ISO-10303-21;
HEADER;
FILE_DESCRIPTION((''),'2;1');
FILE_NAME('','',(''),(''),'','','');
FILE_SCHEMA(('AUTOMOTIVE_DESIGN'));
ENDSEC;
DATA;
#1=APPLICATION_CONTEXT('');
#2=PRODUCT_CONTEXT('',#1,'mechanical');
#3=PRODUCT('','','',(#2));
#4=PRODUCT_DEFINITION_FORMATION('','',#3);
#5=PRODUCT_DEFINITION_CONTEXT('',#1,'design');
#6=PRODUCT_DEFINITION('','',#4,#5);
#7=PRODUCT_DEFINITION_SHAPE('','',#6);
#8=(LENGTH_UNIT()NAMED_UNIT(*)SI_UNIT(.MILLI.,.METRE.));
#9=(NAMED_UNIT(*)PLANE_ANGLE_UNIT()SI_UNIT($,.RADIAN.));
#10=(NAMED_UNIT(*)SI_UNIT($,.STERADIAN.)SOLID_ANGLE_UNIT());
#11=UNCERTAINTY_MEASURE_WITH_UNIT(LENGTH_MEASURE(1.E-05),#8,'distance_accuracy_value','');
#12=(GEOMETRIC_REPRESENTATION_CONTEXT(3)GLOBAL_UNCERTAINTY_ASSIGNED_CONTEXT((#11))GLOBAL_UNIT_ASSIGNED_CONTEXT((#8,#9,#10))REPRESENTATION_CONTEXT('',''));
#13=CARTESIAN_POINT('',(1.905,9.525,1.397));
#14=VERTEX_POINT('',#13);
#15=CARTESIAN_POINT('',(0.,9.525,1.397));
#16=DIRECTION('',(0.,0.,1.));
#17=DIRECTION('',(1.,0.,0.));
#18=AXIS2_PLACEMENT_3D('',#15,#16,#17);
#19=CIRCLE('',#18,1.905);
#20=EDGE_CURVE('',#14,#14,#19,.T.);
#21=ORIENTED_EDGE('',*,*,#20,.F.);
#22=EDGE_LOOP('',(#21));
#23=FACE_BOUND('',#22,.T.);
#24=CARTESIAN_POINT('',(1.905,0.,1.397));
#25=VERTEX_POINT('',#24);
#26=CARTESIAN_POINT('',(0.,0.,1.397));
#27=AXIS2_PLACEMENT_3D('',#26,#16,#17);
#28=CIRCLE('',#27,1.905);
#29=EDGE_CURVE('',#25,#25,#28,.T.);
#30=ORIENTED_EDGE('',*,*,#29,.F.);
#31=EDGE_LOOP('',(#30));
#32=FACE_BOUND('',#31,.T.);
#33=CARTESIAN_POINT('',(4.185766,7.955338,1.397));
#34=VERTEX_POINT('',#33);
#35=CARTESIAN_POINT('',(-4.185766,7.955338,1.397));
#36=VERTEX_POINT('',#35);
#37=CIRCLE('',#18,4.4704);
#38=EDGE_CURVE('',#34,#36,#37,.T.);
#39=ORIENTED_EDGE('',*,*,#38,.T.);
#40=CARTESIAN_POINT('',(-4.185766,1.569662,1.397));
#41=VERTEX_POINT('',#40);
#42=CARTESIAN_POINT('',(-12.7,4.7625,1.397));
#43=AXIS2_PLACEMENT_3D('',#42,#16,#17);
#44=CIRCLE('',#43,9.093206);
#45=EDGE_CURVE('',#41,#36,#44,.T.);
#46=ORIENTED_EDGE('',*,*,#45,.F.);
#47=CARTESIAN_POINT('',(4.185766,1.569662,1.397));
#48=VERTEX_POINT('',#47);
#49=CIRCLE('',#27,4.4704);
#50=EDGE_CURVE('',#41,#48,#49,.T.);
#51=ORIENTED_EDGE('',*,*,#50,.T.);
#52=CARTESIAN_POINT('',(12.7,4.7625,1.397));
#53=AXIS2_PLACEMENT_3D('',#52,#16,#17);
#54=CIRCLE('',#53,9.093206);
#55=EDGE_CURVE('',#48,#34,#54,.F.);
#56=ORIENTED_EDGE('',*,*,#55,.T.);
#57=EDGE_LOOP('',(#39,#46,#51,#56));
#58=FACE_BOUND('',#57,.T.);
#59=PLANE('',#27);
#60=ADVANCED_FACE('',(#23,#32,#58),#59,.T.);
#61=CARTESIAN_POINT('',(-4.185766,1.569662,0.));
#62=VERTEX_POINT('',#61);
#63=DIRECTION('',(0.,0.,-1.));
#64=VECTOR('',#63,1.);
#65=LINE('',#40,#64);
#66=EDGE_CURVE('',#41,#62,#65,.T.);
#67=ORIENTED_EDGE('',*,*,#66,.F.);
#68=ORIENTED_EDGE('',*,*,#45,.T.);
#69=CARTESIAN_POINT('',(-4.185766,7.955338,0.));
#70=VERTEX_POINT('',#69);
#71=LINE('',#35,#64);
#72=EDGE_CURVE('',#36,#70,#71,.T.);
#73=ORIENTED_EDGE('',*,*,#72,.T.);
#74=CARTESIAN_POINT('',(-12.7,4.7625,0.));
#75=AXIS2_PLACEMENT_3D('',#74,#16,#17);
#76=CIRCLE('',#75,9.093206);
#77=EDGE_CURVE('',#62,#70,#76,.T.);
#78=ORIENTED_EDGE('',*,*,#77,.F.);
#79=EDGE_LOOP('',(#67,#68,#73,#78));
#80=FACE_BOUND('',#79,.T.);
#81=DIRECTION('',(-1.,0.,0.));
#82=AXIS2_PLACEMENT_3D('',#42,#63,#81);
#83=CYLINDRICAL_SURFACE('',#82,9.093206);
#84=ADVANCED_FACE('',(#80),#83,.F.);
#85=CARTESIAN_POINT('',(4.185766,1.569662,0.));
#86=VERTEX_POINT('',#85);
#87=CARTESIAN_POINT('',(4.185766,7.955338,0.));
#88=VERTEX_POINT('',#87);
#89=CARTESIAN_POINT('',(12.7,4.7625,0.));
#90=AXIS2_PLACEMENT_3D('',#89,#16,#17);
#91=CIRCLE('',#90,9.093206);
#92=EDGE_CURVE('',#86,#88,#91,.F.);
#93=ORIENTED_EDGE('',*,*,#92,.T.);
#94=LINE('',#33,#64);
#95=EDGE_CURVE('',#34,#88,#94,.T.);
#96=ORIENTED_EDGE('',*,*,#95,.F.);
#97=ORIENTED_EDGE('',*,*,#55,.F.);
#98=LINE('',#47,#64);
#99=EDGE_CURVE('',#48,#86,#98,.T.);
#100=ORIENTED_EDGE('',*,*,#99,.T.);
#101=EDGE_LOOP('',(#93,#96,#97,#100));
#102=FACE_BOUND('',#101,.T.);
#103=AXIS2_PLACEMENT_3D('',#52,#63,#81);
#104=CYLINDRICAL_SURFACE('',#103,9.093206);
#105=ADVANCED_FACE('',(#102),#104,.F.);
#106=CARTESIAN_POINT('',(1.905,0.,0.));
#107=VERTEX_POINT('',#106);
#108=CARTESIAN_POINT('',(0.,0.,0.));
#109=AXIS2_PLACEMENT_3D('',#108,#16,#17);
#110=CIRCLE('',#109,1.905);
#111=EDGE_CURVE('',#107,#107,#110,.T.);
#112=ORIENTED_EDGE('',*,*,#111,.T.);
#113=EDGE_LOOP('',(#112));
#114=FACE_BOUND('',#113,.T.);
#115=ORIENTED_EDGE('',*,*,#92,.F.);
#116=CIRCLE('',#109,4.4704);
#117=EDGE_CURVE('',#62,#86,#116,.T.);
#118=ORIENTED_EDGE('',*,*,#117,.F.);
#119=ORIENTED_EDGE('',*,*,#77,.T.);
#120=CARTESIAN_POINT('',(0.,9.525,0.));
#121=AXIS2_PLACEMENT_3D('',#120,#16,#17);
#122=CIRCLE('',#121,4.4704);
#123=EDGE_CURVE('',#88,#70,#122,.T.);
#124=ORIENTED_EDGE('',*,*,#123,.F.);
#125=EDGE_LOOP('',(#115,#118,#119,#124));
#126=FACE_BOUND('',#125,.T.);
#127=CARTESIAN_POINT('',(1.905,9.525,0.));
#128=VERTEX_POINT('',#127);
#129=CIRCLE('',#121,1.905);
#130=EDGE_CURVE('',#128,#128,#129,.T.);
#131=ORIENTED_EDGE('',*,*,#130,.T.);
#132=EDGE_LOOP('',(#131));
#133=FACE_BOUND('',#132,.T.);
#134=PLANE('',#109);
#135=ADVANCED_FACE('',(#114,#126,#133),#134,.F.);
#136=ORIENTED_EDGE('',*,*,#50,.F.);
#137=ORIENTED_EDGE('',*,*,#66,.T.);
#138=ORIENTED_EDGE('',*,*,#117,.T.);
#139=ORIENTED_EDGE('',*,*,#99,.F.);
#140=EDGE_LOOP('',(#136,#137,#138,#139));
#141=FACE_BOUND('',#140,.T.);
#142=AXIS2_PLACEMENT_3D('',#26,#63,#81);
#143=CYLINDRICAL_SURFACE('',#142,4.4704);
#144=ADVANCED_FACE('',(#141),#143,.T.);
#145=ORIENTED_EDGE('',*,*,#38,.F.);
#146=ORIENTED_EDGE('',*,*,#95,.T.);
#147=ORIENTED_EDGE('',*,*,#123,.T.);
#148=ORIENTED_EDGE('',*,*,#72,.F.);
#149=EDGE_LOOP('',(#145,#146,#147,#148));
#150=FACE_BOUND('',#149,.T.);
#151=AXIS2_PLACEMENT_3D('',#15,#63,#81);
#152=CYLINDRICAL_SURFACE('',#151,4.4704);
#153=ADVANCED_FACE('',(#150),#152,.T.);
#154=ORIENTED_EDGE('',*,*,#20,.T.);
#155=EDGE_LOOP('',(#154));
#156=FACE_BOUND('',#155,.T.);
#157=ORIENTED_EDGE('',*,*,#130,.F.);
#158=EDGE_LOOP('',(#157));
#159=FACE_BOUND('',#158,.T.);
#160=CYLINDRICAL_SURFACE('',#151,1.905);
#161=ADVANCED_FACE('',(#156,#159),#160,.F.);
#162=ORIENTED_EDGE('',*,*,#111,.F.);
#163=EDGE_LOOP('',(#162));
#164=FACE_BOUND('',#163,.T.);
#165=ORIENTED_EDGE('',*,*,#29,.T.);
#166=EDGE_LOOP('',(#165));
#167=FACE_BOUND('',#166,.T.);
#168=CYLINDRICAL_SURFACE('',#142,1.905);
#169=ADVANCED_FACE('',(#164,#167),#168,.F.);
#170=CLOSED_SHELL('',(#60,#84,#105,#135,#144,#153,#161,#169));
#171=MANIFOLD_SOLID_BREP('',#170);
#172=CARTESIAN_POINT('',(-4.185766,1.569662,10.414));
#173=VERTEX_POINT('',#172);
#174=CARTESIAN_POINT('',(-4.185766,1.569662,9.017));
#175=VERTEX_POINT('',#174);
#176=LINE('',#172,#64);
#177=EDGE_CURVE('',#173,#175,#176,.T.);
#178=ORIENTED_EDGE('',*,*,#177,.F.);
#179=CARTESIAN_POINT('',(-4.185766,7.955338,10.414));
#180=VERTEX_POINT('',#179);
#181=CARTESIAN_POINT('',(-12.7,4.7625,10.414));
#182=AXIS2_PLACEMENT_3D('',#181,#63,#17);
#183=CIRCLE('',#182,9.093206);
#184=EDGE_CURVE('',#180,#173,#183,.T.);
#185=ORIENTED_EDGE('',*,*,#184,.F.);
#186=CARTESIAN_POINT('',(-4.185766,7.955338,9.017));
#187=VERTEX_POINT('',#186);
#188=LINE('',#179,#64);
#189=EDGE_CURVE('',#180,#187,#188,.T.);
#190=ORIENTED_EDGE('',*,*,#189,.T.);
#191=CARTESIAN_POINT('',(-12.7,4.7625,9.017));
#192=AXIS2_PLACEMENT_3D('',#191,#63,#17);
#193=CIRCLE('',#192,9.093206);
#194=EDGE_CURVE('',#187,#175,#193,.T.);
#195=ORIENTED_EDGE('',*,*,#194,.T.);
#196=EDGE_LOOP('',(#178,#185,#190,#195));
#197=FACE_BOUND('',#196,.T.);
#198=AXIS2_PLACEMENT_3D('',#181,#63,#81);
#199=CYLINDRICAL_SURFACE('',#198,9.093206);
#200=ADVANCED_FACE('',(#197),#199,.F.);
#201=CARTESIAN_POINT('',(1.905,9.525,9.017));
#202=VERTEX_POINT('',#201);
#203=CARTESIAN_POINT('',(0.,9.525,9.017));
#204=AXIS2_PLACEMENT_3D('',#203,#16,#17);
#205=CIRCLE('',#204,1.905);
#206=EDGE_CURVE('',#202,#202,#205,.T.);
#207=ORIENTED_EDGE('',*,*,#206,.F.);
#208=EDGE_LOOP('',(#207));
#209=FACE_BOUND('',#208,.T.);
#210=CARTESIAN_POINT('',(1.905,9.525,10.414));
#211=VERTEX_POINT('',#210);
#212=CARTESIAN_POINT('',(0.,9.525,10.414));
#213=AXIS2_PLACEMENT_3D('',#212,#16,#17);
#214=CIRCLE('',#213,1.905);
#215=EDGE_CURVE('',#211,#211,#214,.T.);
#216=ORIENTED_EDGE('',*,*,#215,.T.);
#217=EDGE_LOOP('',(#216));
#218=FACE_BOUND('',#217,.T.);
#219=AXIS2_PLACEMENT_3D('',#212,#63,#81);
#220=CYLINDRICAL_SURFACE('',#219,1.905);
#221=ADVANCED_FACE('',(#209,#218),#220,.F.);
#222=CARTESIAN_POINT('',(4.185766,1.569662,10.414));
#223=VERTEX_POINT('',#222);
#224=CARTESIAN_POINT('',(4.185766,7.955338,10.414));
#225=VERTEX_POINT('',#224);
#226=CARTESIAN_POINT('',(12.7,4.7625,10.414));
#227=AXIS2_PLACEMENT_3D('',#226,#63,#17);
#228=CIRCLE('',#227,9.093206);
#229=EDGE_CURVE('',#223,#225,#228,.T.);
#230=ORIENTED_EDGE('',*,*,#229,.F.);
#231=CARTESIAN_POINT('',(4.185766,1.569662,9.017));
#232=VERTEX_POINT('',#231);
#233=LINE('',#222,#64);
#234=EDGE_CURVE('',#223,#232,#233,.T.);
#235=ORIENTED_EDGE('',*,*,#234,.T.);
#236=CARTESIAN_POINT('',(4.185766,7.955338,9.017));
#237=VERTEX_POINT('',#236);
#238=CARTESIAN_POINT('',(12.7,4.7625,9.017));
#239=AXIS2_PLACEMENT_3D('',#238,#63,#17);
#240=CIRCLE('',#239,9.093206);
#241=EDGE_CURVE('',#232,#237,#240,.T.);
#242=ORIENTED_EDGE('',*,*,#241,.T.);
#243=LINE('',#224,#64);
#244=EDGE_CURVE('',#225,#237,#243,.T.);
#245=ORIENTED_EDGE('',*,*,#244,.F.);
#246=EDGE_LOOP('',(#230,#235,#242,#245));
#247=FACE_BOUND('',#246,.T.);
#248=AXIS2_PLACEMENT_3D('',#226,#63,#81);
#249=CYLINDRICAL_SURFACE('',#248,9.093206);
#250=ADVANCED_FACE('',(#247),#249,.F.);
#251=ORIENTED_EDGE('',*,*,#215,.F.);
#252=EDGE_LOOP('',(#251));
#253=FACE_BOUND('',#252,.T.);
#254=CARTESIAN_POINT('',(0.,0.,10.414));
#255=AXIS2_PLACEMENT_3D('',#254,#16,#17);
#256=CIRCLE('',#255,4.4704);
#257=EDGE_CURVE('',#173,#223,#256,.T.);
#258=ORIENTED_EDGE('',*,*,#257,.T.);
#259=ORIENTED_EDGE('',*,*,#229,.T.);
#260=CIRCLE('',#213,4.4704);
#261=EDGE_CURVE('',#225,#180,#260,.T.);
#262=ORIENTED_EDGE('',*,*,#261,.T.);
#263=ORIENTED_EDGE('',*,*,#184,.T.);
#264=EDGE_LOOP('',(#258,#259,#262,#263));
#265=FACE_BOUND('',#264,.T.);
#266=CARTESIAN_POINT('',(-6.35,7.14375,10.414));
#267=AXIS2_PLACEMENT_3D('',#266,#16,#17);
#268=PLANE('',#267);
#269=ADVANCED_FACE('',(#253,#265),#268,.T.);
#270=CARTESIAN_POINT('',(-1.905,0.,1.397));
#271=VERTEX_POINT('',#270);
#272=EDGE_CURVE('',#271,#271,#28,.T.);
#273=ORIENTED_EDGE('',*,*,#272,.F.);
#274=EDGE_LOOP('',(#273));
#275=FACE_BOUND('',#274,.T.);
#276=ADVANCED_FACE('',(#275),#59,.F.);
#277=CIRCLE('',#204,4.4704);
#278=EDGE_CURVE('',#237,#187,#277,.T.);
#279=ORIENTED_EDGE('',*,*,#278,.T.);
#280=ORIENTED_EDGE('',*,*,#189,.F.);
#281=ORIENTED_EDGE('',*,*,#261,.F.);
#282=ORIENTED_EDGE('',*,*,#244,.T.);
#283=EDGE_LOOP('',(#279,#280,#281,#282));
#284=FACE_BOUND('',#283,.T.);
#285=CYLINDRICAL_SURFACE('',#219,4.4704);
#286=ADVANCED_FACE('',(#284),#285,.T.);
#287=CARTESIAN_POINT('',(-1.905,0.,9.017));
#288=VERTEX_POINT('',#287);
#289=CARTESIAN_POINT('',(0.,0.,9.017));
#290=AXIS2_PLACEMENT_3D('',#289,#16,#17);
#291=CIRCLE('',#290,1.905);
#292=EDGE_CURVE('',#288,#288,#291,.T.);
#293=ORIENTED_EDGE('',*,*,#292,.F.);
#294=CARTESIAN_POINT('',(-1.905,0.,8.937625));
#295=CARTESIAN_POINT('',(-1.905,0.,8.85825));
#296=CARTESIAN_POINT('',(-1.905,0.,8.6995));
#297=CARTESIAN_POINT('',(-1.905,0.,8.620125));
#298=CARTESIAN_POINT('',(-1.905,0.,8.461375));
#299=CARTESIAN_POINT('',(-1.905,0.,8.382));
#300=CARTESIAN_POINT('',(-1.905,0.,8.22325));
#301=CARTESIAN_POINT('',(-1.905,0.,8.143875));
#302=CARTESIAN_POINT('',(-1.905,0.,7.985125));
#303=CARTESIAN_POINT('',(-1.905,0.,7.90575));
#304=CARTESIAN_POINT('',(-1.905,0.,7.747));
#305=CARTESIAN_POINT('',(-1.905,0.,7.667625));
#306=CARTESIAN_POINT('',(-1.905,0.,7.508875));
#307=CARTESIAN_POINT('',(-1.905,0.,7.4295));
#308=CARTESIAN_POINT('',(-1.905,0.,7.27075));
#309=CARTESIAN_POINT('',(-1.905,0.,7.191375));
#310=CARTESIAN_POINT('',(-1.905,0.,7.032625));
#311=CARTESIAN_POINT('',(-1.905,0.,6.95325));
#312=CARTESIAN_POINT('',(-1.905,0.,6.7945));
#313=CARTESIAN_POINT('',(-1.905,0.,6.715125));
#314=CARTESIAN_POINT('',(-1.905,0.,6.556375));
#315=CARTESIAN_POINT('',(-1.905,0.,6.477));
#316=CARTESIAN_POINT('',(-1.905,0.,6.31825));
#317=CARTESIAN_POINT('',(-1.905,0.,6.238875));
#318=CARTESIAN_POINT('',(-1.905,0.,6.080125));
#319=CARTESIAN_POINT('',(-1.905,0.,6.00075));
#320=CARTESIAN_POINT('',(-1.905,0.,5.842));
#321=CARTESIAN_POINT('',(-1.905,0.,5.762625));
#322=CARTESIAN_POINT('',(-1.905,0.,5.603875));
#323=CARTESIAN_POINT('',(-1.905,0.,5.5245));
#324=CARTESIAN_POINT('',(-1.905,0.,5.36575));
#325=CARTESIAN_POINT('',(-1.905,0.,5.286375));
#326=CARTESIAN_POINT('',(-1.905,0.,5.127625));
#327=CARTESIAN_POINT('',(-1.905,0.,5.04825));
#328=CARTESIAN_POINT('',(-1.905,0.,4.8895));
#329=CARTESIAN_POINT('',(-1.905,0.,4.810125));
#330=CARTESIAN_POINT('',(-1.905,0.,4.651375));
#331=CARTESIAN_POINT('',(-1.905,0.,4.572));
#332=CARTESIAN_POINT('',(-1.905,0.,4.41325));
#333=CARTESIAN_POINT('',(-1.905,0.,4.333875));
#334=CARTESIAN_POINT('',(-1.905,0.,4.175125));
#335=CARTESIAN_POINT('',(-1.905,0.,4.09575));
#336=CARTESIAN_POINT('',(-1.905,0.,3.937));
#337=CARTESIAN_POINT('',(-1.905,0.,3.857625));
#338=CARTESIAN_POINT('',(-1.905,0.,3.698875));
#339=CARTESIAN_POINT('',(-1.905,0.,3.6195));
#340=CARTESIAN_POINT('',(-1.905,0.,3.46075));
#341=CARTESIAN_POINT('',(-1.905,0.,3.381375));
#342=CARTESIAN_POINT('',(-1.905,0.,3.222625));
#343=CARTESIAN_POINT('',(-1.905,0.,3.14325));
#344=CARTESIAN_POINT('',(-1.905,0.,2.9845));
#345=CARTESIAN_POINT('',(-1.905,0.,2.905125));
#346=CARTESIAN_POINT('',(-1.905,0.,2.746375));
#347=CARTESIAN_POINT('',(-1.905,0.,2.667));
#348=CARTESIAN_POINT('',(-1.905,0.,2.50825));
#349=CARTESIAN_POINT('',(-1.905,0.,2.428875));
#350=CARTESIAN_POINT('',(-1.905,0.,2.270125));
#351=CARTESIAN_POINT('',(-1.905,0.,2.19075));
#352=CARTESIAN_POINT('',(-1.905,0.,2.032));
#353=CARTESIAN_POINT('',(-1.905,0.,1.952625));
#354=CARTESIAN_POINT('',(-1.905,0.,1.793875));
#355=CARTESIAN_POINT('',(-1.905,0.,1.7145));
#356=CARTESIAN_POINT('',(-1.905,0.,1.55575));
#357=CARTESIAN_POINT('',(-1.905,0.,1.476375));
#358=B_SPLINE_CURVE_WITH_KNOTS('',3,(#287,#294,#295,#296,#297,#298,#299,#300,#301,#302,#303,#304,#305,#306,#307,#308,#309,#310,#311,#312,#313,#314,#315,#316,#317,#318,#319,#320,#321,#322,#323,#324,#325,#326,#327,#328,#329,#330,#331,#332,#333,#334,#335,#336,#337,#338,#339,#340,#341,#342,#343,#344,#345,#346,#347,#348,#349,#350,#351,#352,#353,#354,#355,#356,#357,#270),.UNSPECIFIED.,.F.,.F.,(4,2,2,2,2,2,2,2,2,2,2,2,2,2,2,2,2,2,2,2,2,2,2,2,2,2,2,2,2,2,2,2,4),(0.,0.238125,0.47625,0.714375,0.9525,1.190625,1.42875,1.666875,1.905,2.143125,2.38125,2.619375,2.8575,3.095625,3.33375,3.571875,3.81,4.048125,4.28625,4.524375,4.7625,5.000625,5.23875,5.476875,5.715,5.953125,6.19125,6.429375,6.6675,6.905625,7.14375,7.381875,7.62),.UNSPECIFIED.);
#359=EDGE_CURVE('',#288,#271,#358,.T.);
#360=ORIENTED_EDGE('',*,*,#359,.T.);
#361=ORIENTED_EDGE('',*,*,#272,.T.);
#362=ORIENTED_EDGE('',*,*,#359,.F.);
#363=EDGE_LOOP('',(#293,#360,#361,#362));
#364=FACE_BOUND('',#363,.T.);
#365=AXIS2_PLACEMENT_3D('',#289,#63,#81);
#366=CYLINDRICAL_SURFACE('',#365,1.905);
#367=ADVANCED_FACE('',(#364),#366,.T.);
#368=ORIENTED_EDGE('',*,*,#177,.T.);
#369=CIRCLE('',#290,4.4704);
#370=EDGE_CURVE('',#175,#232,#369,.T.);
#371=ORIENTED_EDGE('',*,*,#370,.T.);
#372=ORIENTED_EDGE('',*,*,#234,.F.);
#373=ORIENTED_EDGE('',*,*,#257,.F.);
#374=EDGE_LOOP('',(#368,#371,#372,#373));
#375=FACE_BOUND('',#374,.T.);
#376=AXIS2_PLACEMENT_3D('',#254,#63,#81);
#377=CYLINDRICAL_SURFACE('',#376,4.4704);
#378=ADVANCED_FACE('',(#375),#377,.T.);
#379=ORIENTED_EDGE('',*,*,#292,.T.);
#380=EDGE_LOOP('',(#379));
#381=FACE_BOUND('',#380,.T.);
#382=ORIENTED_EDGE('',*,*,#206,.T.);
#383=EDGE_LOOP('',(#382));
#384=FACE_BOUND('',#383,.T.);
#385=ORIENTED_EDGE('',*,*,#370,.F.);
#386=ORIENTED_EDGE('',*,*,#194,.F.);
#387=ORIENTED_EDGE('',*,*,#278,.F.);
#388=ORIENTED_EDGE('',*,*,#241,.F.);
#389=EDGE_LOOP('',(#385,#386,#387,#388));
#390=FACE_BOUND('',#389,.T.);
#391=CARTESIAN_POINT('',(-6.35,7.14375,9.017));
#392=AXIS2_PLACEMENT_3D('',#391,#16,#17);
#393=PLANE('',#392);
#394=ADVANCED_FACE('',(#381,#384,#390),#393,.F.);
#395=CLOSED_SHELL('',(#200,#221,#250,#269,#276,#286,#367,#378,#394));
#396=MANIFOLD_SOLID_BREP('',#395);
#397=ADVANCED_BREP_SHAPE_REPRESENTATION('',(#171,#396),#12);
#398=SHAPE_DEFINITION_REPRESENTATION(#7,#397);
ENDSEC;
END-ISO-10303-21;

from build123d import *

# Parameters (mm, degrees)
SKETCH2_R           = 4.4704
SKETCH2_R_2         = 1.905
BOSS_EXTRUDE1_DEPTH = 1.397
SKETCH3_R           = 1.905
BOSS_EXTRUDE2_DEPTH = 7.62
SKETCH5_R           = 1.905
BOSS_EXTRUDE4_DEPTH = 1.397


with BuildPart() as part:
    # Sketch2 → Boss-Extrude1 (new body)
    # profile 1 of 3: a face of its own
    with BuildSketch(Plane.XY):
        Circle(SKETCH2_R)
        Circle(SKETCH2_R_2, mode=Mode.SUBTRACT)
    # profile 2 of 3: a face of its own
    with BuildSketch(Plane.XY):
        with BuildLine():
            ThreePointArc((-4.185765955, 1.569662233), (0, 4.4704), (4.185765955, 1.569662233))
            ThreePointArc((4.185765955, 1.569662233), (3.606794054, 4.7625), (4.185765955, 7.955337767))
            ThreePointArc((4.185765955, 7.955337767), (0, 5.0546), (-4.185765955, 7.955337767))
            ThreePointArc((-4.185765955, 7.955337767), (-3.606794054, 4.7625), (-4.185765955, 1.569662233))
        make_face()
    # profile 3 of 3: a face of its own
    with BuildSketch(Plane.XY):
        with Locations((0, 9.525)):
            Circle(SKETCH2_R)
        with Locations((0, 9.525)):
            Circle(SKETCH2_R_2, mode=Mode.SUBTRACT)
    extrude(amount=BOSS_EXTRUDE1_DEPTH)


with BuildPart() as body_2:
    # Sketch3 → Boss-Extrude2 (new body)
    with BuildSketch(Plane.XY.offset(1.397)):
        with Locations(Location((0, 0, 0), (0, 0, 180))):
            Circle(SKETCH3_R)
    extrude(amount=BOSS_EXTRUDE2_DEPTH)

    # Sketch5 → Boss-Extrude4 (add)
    with BuildSketch(Plane.XY.offset(9.017)):
        with BuildLine():
            ThreePointArc((-4.185765955, 1.569662233), (0, -4.4704), (4.185765955, 1.569662233))
            ThreePointArc((4.185765955, 1.569662233), (3.606794054, 4.7625), (4.185765955, 7.955337767))
            ThreePointArc((4.185765955, 7.955337767), (0, 13.9954), (-4.185765955, 7.955337767))
            ThreePointArc((-4.185765955, 7.955337767), (-3.606794054, 4.7625), (-4.185765955, 1.569662233))
        make_face()
        with Locations((0, 9.525)):
            Circle(SKETCH5_R, mode=Mode.SUBTRACT)
    extrude(amount=BOSS_EXTRUDE4_DEPTH)


solid = Compound([part.part, body_2.part])
